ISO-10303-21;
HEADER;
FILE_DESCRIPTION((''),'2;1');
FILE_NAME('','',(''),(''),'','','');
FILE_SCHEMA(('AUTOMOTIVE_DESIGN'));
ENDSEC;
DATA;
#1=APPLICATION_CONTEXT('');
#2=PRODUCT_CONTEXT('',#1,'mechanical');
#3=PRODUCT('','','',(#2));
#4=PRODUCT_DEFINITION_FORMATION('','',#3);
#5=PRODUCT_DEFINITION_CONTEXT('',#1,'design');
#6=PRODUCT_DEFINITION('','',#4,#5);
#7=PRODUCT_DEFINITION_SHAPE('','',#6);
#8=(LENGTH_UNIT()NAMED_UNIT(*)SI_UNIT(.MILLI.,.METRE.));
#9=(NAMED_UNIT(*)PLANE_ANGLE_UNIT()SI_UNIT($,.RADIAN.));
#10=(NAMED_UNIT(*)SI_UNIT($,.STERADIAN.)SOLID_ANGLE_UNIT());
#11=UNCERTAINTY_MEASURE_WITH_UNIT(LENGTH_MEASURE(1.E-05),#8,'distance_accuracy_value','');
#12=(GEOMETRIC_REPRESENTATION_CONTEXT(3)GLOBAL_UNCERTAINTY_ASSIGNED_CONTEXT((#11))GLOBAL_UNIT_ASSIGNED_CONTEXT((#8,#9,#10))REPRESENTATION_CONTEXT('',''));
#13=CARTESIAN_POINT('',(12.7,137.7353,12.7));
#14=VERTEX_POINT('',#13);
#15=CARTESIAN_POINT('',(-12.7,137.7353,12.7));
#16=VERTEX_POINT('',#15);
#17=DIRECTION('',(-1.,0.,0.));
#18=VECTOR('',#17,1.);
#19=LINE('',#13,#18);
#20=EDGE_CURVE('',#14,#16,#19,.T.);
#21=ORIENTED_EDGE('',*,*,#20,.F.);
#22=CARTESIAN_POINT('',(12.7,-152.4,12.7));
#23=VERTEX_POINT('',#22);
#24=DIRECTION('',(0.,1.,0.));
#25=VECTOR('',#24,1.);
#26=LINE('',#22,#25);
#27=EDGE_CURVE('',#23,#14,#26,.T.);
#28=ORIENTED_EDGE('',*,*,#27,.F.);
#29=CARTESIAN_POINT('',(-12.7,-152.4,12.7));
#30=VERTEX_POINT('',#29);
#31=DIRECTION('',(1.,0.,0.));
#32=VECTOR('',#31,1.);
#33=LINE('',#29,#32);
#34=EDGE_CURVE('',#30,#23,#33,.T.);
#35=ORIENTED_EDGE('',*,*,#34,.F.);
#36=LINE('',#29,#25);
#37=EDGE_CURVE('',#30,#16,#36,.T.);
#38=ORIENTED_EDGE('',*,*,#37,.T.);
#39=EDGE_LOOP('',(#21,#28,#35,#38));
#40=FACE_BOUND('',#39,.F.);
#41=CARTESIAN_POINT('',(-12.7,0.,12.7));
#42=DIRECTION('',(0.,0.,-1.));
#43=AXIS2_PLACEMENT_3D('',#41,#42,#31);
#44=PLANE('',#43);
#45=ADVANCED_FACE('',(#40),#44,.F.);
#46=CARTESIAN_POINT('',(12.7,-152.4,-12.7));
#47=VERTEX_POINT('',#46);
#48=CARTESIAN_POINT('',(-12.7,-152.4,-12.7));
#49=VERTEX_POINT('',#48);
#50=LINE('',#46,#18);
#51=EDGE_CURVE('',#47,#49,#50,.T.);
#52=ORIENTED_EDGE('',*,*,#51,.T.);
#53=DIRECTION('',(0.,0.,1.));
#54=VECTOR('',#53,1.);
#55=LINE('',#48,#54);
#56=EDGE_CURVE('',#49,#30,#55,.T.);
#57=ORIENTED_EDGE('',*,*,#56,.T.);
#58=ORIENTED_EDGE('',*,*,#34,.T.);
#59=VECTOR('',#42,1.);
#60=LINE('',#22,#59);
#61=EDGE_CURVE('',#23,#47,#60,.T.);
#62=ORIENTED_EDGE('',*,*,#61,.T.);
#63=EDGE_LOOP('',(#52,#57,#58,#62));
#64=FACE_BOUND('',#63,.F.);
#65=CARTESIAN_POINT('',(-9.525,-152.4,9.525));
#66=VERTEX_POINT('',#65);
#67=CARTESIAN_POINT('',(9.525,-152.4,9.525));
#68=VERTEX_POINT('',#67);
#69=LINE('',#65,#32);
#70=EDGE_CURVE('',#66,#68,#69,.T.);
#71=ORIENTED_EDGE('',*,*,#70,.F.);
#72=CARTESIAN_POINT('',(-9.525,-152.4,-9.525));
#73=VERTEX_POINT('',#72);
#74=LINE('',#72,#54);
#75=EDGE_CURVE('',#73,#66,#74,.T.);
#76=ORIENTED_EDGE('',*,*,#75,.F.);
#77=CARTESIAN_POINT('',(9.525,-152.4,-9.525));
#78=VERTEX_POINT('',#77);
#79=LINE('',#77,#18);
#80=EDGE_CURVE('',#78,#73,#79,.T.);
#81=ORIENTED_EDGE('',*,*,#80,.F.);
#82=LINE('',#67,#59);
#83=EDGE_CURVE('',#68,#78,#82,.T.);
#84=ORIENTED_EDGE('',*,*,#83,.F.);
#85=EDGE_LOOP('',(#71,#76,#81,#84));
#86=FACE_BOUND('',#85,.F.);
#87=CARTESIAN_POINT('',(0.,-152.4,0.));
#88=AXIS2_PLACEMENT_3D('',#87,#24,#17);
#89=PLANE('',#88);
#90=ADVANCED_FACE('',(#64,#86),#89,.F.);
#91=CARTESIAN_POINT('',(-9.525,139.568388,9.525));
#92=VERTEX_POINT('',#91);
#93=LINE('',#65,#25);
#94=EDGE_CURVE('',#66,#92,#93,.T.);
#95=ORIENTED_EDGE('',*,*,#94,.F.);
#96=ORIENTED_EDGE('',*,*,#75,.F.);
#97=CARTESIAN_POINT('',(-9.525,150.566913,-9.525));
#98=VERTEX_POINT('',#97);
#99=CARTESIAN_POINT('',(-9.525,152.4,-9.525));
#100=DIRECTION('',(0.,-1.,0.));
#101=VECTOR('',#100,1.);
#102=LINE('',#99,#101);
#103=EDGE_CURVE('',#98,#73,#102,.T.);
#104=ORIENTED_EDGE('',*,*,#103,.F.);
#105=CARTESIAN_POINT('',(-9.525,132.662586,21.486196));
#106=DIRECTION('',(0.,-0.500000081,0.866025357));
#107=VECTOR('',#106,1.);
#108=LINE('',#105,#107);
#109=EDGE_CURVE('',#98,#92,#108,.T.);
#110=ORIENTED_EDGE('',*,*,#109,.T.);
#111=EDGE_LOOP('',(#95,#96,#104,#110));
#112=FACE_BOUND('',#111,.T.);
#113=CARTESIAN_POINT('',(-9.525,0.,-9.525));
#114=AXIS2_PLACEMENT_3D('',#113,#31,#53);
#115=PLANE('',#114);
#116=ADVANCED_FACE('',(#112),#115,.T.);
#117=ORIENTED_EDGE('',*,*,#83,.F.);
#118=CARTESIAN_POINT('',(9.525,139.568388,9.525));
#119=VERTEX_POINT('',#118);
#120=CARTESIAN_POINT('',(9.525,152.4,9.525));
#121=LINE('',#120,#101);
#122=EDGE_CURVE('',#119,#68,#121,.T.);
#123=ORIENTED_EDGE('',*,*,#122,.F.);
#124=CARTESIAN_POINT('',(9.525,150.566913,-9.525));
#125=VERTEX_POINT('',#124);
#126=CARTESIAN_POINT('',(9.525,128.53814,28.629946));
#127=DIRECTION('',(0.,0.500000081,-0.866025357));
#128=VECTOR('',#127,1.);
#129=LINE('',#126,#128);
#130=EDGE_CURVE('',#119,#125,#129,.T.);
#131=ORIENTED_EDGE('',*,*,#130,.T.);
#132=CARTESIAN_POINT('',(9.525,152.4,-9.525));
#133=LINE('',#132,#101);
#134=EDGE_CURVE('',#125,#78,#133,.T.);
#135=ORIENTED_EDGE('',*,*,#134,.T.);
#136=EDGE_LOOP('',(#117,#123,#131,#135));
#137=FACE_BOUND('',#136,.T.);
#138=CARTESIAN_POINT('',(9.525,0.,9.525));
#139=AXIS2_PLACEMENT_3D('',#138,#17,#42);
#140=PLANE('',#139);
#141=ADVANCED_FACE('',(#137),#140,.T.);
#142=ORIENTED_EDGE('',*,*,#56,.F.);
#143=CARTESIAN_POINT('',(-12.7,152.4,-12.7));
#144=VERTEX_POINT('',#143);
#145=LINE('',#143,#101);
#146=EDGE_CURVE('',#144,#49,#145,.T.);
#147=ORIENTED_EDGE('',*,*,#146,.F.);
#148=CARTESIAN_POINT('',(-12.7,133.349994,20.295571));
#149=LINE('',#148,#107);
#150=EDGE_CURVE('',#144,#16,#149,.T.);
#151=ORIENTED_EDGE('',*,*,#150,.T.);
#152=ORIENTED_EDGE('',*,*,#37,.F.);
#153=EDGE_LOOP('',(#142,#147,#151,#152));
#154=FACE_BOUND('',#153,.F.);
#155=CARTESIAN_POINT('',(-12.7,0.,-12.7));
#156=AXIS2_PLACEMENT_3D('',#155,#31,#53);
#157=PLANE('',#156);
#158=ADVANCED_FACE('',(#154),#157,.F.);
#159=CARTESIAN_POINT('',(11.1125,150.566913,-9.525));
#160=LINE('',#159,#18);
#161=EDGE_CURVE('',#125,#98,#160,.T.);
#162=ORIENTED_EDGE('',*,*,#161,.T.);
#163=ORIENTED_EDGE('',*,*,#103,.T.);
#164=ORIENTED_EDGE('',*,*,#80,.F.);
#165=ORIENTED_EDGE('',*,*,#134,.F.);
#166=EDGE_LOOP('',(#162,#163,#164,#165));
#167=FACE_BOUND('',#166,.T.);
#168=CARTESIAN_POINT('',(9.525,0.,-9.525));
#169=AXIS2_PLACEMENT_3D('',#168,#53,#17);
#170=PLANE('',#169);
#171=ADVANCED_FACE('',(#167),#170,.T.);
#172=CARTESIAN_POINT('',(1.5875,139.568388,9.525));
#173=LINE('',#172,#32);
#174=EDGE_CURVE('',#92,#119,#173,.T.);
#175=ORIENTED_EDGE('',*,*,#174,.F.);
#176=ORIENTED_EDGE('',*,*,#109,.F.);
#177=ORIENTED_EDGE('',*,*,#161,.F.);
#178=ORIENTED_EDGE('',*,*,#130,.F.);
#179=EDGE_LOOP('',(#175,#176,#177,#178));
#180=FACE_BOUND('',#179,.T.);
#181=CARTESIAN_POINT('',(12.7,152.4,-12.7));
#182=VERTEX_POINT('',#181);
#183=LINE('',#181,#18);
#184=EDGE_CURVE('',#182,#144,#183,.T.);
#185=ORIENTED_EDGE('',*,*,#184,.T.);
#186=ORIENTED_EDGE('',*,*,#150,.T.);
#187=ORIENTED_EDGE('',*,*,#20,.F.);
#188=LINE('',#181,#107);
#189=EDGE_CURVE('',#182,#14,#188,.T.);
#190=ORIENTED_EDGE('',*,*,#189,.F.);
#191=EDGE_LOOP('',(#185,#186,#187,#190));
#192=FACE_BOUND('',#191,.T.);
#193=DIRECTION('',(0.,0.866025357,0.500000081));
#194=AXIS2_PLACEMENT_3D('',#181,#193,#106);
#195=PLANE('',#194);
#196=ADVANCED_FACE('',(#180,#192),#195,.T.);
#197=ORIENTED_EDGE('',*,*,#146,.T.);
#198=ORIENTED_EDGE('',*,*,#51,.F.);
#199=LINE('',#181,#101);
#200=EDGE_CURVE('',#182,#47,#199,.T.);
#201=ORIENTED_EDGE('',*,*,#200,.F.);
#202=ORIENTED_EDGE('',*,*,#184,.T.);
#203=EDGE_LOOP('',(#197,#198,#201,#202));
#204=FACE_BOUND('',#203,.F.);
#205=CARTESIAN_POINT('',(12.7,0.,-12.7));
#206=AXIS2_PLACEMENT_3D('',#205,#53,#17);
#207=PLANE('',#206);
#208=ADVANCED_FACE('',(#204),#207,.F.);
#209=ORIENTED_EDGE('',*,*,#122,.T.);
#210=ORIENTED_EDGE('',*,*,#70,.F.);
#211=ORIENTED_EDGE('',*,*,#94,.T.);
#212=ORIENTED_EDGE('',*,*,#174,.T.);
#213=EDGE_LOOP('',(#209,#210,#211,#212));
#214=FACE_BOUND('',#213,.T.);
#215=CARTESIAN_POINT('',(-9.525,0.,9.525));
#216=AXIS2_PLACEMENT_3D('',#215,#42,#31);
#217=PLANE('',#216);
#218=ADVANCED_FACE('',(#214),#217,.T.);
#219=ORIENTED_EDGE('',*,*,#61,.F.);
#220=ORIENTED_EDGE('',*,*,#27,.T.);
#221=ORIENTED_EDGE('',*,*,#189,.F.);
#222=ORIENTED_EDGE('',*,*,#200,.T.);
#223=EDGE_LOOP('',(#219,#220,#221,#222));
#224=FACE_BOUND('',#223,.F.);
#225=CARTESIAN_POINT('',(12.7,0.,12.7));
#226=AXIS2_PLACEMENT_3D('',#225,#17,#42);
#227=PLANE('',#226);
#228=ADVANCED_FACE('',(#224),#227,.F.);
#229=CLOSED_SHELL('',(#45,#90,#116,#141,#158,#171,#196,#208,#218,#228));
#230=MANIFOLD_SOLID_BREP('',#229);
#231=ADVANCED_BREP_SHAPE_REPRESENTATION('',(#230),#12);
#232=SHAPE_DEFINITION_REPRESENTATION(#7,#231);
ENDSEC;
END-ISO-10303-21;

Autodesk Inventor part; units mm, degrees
ref_plane "YZ Plane" through (0, 0, 0) normal (1, 0, 0) x (0, 1, 0)
ref_plane "XZ Plane" through (0, 0, 0) normal (0, 1, 0) x (-1, 0, 0)
ref_plane "XY Plane" through (0, 0, 0) normal (0, 0, 1) x (1, 0, 0)
sketch "Sketch1" plane through (0, 0, 0) normal (0, 1, 0) x (-1, 0, 0)
  line L0 (12.7, 12.7) -> (-12.7, 12.7)
  line L1 (-12.7, 12.7) -> (-12.7, -12.7)
  line L2 (-12.7, -12.7) -> (12.7, -12.7)
  line L3 (12.7, -12.7) -> (12.7, 12.7)
  line L4 (12.7, 12.7) -> (-12.7, -12.7) construction
  line L5 (-12.7, 12.7) -> (12.7, -12.7) construction
  line L6 (9.525, 9.525) -> (-9.525, 9.525)
  line L7 (-9.525, 9.525) -> (-9.525, -9.525)
  line L8 (-9.525, -9.525) -> (9.525, -9.525)
  line L9 (9.525, -9.525) -> (9.525, 9.525)
  line L10 (9.525, 9.525) -> (-9.525, -9.525) construction
  line L11 (-9.525, 9.525) -> (9.525, -9.525) construction
  point P0 (0, 0)
  dimension "d0" = 25.4
  dimension "d1" = 25.4
  dimension "d2" = 3.175
extrude "Extrusion1" add sketch "Sketch1" along normal mid plane 304.8
sketch "Sketch2" plane through (12.7, -152.4, -12.7) normal (1, 0, 0) x (0, 0, -1)
  line L0 (0, 0) -> (0, 304.8) projected
  line L1 (0, 304.8) -> (-25.4, 290.1353)
  line L2 (-25.4, 0) -> (-25.4, 304.8) projected
  line L3 (-25.4, 304.8) -> (0, 304.8)
  point P0 (-12.7, 152.4)
  dimension "d8" = 30
extrude "Extrusion2" cut sketch "Sketch2" against normal through all
properties part number "sideAluminumExtrusion" material "Aluminum 6061, Welded"
